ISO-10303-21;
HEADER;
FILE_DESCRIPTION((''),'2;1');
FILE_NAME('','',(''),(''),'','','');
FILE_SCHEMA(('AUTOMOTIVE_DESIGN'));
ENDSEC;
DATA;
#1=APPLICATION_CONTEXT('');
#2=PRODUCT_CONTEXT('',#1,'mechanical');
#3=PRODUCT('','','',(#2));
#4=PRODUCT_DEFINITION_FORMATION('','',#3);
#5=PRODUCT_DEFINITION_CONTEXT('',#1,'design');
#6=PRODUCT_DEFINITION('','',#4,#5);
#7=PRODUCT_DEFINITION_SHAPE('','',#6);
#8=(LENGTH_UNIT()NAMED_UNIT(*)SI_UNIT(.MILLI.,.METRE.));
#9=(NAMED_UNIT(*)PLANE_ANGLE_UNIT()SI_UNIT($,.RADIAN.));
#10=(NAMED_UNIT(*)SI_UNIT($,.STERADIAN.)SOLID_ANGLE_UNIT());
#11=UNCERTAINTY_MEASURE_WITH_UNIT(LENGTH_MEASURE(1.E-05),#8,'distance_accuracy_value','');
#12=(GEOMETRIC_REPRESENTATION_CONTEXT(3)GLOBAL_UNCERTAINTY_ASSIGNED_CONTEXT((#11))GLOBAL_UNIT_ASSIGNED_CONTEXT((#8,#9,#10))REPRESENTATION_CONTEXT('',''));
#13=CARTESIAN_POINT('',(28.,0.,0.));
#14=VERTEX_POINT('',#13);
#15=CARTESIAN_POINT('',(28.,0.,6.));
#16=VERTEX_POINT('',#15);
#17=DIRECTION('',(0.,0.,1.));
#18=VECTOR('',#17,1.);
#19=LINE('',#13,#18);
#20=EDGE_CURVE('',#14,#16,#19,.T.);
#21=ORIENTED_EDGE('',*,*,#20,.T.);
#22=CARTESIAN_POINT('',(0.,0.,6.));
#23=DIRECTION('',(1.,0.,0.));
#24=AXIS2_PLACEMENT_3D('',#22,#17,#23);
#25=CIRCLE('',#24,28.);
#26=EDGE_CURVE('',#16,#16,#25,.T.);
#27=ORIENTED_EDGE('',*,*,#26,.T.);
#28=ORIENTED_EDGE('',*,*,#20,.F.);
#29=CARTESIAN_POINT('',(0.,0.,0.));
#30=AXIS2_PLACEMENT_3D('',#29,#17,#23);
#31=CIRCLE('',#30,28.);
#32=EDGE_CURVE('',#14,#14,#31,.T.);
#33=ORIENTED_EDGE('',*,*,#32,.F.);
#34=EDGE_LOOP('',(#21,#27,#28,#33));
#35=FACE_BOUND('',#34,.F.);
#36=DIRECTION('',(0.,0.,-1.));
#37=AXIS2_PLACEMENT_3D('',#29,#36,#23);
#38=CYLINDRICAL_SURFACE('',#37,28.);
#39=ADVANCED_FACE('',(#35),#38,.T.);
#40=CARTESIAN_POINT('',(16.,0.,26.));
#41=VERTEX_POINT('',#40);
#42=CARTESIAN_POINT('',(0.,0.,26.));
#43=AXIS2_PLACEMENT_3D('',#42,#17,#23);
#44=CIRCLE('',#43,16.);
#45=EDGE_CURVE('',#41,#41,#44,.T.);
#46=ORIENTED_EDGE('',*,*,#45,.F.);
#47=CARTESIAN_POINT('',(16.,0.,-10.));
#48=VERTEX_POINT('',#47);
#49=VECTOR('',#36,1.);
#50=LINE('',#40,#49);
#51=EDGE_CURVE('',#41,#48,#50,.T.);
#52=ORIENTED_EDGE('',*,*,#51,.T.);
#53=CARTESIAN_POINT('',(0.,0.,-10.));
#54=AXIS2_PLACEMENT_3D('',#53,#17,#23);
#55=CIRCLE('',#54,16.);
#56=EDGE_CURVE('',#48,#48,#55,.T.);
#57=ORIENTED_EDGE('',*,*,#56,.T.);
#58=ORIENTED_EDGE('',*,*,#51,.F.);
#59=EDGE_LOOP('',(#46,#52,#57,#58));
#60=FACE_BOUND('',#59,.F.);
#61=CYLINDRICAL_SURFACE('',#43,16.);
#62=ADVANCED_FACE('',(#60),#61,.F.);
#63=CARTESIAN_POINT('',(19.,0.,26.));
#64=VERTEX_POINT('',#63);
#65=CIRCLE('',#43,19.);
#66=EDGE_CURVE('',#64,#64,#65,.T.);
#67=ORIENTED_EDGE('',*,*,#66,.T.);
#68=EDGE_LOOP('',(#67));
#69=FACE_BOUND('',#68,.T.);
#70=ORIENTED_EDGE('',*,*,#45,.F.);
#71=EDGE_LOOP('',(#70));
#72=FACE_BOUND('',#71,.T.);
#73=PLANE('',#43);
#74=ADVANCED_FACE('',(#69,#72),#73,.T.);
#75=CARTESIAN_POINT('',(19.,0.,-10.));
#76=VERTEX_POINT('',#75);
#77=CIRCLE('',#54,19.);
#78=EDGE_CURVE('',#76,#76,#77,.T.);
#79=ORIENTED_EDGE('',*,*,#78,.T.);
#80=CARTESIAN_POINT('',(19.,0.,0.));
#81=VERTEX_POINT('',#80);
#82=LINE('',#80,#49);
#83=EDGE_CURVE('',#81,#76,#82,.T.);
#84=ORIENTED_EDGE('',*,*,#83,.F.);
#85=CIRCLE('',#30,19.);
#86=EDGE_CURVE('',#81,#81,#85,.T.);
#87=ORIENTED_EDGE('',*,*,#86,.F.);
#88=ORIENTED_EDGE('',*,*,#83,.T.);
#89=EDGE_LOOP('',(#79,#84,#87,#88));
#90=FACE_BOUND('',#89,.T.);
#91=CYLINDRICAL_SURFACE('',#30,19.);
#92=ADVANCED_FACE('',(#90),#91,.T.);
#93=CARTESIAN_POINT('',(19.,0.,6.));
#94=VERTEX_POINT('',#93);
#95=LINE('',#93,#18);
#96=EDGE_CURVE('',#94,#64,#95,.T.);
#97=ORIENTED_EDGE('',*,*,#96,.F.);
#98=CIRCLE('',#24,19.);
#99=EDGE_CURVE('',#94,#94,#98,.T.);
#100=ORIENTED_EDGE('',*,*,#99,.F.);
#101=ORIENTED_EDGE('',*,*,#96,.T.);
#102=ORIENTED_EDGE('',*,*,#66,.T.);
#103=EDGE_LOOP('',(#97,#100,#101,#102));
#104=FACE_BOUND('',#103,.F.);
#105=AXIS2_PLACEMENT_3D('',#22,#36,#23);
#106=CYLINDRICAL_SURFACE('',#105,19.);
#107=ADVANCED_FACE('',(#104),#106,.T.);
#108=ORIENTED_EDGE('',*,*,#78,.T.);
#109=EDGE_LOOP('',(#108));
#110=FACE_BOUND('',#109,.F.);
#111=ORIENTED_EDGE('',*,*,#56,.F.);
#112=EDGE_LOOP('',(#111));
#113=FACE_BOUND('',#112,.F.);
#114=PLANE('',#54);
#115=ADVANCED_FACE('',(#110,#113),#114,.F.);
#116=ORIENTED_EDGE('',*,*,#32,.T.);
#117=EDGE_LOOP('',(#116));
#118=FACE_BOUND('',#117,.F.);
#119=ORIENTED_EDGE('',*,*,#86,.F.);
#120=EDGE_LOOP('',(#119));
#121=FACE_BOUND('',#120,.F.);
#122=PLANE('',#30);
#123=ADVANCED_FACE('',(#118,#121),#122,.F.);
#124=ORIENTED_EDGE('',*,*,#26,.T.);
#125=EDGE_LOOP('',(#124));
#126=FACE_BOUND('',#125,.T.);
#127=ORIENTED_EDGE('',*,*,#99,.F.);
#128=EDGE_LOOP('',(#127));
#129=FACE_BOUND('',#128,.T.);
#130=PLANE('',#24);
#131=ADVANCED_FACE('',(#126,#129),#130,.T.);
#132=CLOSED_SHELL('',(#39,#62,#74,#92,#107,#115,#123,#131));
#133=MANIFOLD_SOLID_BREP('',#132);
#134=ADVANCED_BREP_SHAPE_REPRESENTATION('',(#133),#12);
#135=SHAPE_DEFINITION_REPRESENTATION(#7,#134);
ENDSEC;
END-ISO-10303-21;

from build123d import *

# Parameters (mm, degrees)
F0_R     = 19
F1_DEPTH = 10
F2_R     = 28
F3_DEPTH = 6
F4_R     = 19
F5_DEPTH = 20
F6_R     = 16
F7_DEPTH = 36.001


with BuildPart() as f1:
    # F0 (on Top) → F1 (new body)
    with BuildSketch(Plane.XY):
        Circle(F0_R)
    extrude(amount=-F1_DEPTH)

    # F2 (on face) → F3 (join)
    with BuildSketch(Plane.XY):
        Circle(F2_R)
    extrude(amount=F3_DEPTH)

    # F4 (on face) → F5 (join)
    with BuildSketch(Plane.XY.offset(6)):
        Circle(F4_R)
    extrude(amount=F5_DEPTH)

    # F6 (on face) → F7 (cut, through all)
    with BuildSketch(Plane.XY.offset(26)):
        Circle(F6_R)
    extrude(amount=-F7_DEPTH, mode=Mode.SUBTRACT)


solid = f1.part
